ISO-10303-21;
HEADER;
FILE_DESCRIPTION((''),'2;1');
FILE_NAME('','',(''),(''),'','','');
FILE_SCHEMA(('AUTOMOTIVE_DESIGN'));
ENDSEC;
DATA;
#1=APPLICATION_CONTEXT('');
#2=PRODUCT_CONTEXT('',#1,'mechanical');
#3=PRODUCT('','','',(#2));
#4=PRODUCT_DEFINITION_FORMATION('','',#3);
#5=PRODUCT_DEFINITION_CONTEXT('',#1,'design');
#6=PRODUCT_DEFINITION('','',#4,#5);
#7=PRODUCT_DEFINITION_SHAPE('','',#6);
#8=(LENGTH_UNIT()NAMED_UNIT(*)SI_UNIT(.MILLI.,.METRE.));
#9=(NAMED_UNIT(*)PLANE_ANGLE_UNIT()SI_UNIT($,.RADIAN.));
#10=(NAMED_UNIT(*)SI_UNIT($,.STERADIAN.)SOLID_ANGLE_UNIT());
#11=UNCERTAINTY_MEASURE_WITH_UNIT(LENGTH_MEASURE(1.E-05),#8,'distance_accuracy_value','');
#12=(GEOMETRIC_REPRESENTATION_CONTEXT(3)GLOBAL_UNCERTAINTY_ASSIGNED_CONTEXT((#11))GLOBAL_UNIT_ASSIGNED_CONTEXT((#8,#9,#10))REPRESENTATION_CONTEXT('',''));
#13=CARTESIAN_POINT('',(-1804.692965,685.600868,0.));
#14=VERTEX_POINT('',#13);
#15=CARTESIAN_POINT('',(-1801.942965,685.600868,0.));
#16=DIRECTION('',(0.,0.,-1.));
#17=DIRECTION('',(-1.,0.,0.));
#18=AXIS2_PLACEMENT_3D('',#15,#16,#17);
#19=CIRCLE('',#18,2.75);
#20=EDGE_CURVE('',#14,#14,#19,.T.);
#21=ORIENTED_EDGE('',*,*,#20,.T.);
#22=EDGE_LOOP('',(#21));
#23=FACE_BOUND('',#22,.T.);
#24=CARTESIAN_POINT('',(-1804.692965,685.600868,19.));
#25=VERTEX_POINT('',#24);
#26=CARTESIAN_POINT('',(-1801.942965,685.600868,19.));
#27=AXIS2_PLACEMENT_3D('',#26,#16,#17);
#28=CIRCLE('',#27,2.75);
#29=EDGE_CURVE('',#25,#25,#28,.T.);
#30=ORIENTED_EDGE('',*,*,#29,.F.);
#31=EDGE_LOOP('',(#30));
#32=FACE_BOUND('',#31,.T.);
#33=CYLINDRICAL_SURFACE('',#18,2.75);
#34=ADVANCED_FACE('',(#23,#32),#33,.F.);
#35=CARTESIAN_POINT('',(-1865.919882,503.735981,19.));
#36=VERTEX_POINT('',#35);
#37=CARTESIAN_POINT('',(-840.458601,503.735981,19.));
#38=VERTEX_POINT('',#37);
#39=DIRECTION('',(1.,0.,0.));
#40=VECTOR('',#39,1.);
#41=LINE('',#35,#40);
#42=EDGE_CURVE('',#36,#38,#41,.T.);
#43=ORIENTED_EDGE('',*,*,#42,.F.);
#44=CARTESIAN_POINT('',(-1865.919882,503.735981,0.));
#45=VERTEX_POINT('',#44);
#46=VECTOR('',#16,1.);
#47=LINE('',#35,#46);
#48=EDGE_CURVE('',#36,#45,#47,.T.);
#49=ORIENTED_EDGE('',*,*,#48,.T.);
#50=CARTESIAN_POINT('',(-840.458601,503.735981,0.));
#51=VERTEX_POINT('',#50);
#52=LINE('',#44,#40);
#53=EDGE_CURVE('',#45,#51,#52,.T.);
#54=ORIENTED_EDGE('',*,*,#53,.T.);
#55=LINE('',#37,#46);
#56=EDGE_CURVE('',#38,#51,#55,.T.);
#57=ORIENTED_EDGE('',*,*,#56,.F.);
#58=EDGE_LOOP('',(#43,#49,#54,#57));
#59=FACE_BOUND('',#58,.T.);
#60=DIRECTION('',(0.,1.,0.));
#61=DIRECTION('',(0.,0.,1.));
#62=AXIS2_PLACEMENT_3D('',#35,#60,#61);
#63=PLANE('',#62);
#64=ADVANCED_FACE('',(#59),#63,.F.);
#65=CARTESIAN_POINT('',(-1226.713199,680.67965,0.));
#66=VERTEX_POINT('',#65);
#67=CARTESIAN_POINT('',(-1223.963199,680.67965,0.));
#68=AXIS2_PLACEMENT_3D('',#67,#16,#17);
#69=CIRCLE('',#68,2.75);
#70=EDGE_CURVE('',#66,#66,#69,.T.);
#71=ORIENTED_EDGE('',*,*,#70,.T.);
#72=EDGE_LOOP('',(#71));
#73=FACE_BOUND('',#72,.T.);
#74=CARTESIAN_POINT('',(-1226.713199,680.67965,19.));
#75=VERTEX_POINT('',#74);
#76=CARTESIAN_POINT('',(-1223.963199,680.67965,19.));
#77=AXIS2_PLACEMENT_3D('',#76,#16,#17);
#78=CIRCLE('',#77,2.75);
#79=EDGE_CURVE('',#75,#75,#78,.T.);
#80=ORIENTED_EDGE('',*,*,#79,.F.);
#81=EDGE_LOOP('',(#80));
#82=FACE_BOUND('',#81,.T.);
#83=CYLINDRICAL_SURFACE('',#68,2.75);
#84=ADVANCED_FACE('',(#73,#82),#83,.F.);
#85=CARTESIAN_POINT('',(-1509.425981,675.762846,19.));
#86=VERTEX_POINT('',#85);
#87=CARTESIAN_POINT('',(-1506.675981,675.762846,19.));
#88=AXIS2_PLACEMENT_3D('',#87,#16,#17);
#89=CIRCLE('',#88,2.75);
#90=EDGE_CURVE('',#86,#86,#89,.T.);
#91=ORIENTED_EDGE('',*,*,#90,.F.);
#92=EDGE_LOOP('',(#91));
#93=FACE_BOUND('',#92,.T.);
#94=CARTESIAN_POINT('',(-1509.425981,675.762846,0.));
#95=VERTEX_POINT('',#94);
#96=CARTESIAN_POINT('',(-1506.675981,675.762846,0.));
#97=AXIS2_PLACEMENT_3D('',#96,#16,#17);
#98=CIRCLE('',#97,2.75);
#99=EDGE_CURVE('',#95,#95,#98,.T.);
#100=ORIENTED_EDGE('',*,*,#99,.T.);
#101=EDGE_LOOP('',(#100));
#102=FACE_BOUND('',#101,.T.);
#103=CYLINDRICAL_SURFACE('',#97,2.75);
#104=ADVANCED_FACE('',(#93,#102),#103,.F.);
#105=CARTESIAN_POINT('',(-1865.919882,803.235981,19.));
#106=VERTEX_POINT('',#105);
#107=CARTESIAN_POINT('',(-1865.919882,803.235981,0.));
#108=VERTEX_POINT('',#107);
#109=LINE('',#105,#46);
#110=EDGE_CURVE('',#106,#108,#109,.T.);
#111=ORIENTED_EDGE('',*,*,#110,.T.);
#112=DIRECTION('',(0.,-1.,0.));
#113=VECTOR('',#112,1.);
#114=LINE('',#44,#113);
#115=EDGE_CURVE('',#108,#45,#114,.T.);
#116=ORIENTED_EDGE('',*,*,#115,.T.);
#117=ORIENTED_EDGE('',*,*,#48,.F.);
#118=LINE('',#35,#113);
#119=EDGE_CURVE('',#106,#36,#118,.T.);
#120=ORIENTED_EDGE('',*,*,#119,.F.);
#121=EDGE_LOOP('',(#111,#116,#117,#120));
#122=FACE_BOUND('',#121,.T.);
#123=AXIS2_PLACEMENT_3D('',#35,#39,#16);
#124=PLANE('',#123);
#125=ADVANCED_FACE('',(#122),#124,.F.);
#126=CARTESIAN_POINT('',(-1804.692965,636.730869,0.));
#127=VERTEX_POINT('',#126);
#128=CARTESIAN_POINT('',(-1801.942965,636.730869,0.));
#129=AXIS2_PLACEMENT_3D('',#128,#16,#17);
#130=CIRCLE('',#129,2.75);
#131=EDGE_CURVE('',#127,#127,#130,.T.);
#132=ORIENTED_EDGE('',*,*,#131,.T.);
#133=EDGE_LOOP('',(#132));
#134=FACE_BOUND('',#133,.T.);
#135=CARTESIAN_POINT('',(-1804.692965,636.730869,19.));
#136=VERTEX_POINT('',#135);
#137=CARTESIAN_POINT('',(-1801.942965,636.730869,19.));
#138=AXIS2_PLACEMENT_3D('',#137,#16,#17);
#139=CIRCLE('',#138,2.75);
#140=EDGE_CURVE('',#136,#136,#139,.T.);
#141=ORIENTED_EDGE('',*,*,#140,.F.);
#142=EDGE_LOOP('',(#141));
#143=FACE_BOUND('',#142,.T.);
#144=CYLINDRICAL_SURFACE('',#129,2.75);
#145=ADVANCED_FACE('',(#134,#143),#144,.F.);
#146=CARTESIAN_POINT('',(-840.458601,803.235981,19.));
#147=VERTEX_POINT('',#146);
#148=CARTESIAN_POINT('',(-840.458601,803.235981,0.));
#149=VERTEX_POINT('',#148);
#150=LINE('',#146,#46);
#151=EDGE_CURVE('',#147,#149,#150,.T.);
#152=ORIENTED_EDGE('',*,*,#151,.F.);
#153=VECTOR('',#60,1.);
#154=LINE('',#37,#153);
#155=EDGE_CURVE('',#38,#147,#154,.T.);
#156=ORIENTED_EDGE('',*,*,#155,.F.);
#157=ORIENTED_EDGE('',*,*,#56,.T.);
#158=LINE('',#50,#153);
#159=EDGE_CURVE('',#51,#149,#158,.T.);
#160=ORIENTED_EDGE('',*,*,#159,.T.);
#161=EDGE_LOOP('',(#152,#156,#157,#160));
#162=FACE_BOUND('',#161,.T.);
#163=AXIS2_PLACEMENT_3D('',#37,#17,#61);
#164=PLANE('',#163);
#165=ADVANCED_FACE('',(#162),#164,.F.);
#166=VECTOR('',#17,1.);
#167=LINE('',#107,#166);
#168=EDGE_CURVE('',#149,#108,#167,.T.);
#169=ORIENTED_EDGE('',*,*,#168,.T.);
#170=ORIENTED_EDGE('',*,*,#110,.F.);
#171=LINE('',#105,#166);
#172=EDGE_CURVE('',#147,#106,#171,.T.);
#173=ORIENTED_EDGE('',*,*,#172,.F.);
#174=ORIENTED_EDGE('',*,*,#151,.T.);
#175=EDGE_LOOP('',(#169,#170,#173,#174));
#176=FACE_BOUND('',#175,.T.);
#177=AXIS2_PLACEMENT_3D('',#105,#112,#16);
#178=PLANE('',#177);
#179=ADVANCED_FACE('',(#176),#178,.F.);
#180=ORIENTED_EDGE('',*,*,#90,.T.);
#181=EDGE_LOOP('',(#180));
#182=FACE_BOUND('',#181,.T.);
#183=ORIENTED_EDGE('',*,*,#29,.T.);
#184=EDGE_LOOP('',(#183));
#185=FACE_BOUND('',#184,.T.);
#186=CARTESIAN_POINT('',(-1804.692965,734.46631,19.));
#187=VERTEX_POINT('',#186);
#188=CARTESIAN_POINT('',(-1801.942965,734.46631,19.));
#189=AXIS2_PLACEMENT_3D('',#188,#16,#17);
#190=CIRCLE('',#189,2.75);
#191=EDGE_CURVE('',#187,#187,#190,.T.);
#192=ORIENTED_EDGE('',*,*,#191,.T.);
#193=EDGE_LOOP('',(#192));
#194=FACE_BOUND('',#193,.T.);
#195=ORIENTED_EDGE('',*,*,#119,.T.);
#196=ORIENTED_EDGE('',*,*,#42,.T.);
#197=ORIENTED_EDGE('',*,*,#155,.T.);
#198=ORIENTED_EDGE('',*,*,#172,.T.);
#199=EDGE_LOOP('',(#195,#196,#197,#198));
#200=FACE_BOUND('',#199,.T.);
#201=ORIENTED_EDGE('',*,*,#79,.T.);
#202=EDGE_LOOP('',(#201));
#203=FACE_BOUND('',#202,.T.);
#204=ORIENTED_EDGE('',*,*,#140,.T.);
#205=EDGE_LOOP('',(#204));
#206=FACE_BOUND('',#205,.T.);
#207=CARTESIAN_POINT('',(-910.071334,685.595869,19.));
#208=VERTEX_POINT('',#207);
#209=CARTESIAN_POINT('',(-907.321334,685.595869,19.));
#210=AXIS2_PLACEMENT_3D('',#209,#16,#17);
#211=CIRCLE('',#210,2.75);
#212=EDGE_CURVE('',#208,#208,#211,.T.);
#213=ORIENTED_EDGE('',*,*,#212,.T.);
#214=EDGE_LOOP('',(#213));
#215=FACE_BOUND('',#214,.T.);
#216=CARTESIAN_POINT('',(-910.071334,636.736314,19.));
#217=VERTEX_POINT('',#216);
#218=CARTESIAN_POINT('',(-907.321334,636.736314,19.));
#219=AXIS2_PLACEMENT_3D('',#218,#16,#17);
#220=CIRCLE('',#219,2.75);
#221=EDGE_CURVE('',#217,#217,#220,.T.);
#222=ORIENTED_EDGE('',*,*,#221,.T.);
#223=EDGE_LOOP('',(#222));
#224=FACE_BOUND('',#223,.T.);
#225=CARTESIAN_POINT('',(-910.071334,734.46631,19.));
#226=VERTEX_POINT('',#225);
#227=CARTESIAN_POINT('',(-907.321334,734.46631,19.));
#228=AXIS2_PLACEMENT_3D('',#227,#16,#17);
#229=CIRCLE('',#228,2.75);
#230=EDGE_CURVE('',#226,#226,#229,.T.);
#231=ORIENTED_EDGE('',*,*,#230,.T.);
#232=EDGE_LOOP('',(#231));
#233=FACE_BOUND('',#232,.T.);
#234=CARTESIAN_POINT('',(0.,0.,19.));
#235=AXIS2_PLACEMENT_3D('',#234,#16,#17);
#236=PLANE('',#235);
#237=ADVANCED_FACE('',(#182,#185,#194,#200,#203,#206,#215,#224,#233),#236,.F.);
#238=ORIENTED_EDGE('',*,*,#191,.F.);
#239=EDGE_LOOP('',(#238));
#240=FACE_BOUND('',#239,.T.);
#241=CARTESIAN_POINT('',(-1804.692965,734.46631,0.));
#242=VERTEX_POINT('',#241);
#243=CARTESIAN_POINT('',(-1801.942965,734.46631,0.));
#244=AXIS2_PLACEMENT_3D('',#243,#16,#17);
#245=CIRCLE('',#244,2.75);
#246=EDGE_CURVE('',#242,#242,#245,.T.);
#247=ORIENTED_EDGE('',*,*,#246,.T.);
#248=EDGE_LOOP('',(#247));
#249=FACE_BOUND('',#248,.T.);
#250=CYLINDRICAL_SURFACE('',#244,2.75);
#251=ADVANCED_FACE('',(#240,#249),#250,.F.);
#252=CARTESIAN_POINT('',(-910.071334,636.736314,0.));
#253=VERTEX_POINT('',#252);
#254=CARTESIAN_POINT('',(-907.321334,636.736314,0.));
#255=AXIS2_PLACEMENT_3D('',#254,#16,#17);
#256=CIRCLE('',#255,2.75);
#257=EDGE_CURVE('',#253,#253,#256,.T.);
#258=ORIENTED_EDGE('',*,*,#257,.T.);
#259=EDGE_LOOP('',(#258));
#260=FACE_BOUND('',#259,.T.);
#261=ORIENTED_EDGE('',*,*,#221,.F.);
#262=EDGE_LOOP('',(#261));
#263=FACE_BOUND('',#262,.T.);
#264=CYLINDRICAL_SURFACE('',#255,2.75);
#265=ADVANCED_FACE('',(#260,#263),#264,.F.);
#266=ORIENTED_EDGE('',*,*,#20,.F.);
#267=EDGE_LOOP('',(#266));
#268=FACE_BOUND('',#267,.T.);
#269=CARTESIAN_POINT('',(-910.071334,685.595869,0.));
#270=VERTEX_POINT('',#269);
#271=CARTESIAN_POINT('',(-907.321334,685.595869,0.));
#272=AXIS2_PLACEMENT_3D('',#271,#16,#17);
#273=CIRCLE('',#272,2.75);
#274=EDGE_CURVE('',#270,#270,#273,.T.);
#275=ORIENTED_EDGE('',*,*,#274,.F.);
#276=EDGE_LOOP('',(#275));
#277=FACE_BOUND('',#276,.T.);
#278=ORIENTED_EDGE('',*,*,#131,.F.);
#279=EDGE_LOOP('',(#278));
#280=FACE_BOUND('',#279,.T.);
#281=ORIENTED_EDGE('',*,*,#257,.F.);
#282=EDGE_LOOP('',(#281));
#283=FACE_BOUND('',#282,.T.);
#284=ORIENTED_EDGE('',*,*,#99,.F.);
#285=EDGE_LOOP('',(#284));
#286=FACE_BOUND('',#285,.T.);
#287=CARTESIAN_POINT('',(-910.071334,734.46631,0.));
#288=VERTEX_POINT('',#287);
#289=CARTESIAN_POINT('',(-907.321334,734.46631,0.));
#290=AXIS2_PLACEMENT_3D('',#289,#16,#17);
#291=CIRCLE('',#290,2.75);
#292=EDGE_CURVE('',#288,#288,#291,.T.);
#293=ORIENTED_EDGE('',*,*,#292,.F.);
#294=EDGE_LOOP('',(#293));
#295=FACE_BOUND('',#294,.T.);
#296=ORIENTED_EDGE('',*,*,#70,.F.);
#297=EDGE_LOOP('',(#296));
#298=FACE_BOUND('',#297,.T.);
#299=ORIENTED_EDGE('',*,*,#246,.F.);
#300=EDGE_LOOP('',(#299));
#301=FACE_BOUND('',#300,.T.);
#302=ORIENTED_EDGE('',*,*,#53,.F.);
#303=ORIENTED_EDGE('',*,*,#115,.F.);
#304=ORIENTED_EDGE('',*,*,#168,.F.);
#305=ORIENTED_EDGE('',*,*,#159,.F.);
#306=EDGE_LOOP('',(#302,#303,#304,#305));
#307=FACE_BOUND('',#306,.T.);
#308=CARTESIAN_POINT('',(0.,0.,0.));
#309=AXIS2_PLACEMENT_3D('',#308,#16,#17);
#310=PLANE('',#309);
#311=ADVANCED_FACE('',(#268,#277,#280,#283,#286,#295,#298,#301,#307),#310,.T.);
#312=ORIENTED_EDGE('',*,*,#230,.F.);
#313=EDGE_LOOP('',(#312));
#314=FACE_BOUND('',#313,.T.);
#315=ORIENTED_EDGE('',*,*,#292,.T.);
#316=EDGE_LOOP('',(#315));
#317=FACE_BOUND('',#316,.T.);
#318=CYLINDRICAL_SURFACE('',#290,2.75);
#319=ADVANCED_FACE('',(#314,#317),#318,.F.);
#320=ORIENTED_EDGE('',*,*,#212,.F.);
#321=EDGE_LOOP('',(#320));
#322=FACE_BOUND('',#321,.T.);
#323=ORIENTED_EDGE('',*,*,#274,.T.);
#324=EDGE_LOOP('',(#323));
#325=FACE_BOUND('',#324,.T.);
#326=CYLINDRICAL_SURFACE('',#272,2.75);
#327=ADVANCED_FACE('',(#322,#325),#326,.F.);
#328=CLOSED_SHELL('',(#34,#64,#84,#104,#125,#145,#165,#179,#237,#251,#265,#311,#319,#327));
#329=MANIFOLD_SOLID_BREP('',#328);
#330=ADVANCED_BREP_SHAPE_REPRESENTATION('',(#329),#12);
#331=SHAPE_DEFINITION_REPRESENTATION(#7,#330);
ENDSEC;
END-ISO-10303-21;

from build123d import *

# Parameters (mm, degrees)
SKETCH1_W                = 1025.461280364
SKETCH1_H                = 299.5
BOSS_EXTRUDE1_DEPTH      = 19
M5_CLEARANCE_HOLE1_D     = 5.5
M5_CLEARANCE_HOLE1_DEPTH = 32.347633298
M5_CLEARANCE_HOLE1_TIP   = 1.652366702


with BuildPart() as part:
    # Sketch1 → Boss-Extrude1 (new body)
    with BuildSketch(Plane.XY):
        with Locations((-1353.189241506, 653.485981281)):
            Rectangle(SKETCH1_W, SKETCH1_H)
    extrude(amount=BOSS_EXTRUDE1_DEPTH)

    # M5 Clearance Hole1
    with Locations(Plane(origin=(-1324.198298443, -38.252881002, 0), x_dir=(1, 0, 0), z_dir=(0, 0, -1))):
        with Locations((-477.744666278, -772.719190614), (-477.744666278, -723.853749178), (-477.744666278, -674.983749963), (416.87696419, -772.719190614), (416.87696419, -723.848749963), (416.87696419, -674.989194818), (100.235099038, -718.93253129), (-182.477682784, -714.015727285)):
            Hole(M5_CLEARANCE_HOLE1_D / 2, depth=M5_CLEARANCE_HOLE1_DEPTH)
            with Locations((0, 0, -(M5_CLEARANCE_HOLE1_DEPTH + M5_CLEARANCE_HOLE1_TIP / 2))):  # 118° drill point
                Cone(0, M5_CLEARANCE_HOLE1_D / 2, M5_CLEARANCE_HOLE1_TIP, mode=Mode.SUBTRACT)


solid = part.part
